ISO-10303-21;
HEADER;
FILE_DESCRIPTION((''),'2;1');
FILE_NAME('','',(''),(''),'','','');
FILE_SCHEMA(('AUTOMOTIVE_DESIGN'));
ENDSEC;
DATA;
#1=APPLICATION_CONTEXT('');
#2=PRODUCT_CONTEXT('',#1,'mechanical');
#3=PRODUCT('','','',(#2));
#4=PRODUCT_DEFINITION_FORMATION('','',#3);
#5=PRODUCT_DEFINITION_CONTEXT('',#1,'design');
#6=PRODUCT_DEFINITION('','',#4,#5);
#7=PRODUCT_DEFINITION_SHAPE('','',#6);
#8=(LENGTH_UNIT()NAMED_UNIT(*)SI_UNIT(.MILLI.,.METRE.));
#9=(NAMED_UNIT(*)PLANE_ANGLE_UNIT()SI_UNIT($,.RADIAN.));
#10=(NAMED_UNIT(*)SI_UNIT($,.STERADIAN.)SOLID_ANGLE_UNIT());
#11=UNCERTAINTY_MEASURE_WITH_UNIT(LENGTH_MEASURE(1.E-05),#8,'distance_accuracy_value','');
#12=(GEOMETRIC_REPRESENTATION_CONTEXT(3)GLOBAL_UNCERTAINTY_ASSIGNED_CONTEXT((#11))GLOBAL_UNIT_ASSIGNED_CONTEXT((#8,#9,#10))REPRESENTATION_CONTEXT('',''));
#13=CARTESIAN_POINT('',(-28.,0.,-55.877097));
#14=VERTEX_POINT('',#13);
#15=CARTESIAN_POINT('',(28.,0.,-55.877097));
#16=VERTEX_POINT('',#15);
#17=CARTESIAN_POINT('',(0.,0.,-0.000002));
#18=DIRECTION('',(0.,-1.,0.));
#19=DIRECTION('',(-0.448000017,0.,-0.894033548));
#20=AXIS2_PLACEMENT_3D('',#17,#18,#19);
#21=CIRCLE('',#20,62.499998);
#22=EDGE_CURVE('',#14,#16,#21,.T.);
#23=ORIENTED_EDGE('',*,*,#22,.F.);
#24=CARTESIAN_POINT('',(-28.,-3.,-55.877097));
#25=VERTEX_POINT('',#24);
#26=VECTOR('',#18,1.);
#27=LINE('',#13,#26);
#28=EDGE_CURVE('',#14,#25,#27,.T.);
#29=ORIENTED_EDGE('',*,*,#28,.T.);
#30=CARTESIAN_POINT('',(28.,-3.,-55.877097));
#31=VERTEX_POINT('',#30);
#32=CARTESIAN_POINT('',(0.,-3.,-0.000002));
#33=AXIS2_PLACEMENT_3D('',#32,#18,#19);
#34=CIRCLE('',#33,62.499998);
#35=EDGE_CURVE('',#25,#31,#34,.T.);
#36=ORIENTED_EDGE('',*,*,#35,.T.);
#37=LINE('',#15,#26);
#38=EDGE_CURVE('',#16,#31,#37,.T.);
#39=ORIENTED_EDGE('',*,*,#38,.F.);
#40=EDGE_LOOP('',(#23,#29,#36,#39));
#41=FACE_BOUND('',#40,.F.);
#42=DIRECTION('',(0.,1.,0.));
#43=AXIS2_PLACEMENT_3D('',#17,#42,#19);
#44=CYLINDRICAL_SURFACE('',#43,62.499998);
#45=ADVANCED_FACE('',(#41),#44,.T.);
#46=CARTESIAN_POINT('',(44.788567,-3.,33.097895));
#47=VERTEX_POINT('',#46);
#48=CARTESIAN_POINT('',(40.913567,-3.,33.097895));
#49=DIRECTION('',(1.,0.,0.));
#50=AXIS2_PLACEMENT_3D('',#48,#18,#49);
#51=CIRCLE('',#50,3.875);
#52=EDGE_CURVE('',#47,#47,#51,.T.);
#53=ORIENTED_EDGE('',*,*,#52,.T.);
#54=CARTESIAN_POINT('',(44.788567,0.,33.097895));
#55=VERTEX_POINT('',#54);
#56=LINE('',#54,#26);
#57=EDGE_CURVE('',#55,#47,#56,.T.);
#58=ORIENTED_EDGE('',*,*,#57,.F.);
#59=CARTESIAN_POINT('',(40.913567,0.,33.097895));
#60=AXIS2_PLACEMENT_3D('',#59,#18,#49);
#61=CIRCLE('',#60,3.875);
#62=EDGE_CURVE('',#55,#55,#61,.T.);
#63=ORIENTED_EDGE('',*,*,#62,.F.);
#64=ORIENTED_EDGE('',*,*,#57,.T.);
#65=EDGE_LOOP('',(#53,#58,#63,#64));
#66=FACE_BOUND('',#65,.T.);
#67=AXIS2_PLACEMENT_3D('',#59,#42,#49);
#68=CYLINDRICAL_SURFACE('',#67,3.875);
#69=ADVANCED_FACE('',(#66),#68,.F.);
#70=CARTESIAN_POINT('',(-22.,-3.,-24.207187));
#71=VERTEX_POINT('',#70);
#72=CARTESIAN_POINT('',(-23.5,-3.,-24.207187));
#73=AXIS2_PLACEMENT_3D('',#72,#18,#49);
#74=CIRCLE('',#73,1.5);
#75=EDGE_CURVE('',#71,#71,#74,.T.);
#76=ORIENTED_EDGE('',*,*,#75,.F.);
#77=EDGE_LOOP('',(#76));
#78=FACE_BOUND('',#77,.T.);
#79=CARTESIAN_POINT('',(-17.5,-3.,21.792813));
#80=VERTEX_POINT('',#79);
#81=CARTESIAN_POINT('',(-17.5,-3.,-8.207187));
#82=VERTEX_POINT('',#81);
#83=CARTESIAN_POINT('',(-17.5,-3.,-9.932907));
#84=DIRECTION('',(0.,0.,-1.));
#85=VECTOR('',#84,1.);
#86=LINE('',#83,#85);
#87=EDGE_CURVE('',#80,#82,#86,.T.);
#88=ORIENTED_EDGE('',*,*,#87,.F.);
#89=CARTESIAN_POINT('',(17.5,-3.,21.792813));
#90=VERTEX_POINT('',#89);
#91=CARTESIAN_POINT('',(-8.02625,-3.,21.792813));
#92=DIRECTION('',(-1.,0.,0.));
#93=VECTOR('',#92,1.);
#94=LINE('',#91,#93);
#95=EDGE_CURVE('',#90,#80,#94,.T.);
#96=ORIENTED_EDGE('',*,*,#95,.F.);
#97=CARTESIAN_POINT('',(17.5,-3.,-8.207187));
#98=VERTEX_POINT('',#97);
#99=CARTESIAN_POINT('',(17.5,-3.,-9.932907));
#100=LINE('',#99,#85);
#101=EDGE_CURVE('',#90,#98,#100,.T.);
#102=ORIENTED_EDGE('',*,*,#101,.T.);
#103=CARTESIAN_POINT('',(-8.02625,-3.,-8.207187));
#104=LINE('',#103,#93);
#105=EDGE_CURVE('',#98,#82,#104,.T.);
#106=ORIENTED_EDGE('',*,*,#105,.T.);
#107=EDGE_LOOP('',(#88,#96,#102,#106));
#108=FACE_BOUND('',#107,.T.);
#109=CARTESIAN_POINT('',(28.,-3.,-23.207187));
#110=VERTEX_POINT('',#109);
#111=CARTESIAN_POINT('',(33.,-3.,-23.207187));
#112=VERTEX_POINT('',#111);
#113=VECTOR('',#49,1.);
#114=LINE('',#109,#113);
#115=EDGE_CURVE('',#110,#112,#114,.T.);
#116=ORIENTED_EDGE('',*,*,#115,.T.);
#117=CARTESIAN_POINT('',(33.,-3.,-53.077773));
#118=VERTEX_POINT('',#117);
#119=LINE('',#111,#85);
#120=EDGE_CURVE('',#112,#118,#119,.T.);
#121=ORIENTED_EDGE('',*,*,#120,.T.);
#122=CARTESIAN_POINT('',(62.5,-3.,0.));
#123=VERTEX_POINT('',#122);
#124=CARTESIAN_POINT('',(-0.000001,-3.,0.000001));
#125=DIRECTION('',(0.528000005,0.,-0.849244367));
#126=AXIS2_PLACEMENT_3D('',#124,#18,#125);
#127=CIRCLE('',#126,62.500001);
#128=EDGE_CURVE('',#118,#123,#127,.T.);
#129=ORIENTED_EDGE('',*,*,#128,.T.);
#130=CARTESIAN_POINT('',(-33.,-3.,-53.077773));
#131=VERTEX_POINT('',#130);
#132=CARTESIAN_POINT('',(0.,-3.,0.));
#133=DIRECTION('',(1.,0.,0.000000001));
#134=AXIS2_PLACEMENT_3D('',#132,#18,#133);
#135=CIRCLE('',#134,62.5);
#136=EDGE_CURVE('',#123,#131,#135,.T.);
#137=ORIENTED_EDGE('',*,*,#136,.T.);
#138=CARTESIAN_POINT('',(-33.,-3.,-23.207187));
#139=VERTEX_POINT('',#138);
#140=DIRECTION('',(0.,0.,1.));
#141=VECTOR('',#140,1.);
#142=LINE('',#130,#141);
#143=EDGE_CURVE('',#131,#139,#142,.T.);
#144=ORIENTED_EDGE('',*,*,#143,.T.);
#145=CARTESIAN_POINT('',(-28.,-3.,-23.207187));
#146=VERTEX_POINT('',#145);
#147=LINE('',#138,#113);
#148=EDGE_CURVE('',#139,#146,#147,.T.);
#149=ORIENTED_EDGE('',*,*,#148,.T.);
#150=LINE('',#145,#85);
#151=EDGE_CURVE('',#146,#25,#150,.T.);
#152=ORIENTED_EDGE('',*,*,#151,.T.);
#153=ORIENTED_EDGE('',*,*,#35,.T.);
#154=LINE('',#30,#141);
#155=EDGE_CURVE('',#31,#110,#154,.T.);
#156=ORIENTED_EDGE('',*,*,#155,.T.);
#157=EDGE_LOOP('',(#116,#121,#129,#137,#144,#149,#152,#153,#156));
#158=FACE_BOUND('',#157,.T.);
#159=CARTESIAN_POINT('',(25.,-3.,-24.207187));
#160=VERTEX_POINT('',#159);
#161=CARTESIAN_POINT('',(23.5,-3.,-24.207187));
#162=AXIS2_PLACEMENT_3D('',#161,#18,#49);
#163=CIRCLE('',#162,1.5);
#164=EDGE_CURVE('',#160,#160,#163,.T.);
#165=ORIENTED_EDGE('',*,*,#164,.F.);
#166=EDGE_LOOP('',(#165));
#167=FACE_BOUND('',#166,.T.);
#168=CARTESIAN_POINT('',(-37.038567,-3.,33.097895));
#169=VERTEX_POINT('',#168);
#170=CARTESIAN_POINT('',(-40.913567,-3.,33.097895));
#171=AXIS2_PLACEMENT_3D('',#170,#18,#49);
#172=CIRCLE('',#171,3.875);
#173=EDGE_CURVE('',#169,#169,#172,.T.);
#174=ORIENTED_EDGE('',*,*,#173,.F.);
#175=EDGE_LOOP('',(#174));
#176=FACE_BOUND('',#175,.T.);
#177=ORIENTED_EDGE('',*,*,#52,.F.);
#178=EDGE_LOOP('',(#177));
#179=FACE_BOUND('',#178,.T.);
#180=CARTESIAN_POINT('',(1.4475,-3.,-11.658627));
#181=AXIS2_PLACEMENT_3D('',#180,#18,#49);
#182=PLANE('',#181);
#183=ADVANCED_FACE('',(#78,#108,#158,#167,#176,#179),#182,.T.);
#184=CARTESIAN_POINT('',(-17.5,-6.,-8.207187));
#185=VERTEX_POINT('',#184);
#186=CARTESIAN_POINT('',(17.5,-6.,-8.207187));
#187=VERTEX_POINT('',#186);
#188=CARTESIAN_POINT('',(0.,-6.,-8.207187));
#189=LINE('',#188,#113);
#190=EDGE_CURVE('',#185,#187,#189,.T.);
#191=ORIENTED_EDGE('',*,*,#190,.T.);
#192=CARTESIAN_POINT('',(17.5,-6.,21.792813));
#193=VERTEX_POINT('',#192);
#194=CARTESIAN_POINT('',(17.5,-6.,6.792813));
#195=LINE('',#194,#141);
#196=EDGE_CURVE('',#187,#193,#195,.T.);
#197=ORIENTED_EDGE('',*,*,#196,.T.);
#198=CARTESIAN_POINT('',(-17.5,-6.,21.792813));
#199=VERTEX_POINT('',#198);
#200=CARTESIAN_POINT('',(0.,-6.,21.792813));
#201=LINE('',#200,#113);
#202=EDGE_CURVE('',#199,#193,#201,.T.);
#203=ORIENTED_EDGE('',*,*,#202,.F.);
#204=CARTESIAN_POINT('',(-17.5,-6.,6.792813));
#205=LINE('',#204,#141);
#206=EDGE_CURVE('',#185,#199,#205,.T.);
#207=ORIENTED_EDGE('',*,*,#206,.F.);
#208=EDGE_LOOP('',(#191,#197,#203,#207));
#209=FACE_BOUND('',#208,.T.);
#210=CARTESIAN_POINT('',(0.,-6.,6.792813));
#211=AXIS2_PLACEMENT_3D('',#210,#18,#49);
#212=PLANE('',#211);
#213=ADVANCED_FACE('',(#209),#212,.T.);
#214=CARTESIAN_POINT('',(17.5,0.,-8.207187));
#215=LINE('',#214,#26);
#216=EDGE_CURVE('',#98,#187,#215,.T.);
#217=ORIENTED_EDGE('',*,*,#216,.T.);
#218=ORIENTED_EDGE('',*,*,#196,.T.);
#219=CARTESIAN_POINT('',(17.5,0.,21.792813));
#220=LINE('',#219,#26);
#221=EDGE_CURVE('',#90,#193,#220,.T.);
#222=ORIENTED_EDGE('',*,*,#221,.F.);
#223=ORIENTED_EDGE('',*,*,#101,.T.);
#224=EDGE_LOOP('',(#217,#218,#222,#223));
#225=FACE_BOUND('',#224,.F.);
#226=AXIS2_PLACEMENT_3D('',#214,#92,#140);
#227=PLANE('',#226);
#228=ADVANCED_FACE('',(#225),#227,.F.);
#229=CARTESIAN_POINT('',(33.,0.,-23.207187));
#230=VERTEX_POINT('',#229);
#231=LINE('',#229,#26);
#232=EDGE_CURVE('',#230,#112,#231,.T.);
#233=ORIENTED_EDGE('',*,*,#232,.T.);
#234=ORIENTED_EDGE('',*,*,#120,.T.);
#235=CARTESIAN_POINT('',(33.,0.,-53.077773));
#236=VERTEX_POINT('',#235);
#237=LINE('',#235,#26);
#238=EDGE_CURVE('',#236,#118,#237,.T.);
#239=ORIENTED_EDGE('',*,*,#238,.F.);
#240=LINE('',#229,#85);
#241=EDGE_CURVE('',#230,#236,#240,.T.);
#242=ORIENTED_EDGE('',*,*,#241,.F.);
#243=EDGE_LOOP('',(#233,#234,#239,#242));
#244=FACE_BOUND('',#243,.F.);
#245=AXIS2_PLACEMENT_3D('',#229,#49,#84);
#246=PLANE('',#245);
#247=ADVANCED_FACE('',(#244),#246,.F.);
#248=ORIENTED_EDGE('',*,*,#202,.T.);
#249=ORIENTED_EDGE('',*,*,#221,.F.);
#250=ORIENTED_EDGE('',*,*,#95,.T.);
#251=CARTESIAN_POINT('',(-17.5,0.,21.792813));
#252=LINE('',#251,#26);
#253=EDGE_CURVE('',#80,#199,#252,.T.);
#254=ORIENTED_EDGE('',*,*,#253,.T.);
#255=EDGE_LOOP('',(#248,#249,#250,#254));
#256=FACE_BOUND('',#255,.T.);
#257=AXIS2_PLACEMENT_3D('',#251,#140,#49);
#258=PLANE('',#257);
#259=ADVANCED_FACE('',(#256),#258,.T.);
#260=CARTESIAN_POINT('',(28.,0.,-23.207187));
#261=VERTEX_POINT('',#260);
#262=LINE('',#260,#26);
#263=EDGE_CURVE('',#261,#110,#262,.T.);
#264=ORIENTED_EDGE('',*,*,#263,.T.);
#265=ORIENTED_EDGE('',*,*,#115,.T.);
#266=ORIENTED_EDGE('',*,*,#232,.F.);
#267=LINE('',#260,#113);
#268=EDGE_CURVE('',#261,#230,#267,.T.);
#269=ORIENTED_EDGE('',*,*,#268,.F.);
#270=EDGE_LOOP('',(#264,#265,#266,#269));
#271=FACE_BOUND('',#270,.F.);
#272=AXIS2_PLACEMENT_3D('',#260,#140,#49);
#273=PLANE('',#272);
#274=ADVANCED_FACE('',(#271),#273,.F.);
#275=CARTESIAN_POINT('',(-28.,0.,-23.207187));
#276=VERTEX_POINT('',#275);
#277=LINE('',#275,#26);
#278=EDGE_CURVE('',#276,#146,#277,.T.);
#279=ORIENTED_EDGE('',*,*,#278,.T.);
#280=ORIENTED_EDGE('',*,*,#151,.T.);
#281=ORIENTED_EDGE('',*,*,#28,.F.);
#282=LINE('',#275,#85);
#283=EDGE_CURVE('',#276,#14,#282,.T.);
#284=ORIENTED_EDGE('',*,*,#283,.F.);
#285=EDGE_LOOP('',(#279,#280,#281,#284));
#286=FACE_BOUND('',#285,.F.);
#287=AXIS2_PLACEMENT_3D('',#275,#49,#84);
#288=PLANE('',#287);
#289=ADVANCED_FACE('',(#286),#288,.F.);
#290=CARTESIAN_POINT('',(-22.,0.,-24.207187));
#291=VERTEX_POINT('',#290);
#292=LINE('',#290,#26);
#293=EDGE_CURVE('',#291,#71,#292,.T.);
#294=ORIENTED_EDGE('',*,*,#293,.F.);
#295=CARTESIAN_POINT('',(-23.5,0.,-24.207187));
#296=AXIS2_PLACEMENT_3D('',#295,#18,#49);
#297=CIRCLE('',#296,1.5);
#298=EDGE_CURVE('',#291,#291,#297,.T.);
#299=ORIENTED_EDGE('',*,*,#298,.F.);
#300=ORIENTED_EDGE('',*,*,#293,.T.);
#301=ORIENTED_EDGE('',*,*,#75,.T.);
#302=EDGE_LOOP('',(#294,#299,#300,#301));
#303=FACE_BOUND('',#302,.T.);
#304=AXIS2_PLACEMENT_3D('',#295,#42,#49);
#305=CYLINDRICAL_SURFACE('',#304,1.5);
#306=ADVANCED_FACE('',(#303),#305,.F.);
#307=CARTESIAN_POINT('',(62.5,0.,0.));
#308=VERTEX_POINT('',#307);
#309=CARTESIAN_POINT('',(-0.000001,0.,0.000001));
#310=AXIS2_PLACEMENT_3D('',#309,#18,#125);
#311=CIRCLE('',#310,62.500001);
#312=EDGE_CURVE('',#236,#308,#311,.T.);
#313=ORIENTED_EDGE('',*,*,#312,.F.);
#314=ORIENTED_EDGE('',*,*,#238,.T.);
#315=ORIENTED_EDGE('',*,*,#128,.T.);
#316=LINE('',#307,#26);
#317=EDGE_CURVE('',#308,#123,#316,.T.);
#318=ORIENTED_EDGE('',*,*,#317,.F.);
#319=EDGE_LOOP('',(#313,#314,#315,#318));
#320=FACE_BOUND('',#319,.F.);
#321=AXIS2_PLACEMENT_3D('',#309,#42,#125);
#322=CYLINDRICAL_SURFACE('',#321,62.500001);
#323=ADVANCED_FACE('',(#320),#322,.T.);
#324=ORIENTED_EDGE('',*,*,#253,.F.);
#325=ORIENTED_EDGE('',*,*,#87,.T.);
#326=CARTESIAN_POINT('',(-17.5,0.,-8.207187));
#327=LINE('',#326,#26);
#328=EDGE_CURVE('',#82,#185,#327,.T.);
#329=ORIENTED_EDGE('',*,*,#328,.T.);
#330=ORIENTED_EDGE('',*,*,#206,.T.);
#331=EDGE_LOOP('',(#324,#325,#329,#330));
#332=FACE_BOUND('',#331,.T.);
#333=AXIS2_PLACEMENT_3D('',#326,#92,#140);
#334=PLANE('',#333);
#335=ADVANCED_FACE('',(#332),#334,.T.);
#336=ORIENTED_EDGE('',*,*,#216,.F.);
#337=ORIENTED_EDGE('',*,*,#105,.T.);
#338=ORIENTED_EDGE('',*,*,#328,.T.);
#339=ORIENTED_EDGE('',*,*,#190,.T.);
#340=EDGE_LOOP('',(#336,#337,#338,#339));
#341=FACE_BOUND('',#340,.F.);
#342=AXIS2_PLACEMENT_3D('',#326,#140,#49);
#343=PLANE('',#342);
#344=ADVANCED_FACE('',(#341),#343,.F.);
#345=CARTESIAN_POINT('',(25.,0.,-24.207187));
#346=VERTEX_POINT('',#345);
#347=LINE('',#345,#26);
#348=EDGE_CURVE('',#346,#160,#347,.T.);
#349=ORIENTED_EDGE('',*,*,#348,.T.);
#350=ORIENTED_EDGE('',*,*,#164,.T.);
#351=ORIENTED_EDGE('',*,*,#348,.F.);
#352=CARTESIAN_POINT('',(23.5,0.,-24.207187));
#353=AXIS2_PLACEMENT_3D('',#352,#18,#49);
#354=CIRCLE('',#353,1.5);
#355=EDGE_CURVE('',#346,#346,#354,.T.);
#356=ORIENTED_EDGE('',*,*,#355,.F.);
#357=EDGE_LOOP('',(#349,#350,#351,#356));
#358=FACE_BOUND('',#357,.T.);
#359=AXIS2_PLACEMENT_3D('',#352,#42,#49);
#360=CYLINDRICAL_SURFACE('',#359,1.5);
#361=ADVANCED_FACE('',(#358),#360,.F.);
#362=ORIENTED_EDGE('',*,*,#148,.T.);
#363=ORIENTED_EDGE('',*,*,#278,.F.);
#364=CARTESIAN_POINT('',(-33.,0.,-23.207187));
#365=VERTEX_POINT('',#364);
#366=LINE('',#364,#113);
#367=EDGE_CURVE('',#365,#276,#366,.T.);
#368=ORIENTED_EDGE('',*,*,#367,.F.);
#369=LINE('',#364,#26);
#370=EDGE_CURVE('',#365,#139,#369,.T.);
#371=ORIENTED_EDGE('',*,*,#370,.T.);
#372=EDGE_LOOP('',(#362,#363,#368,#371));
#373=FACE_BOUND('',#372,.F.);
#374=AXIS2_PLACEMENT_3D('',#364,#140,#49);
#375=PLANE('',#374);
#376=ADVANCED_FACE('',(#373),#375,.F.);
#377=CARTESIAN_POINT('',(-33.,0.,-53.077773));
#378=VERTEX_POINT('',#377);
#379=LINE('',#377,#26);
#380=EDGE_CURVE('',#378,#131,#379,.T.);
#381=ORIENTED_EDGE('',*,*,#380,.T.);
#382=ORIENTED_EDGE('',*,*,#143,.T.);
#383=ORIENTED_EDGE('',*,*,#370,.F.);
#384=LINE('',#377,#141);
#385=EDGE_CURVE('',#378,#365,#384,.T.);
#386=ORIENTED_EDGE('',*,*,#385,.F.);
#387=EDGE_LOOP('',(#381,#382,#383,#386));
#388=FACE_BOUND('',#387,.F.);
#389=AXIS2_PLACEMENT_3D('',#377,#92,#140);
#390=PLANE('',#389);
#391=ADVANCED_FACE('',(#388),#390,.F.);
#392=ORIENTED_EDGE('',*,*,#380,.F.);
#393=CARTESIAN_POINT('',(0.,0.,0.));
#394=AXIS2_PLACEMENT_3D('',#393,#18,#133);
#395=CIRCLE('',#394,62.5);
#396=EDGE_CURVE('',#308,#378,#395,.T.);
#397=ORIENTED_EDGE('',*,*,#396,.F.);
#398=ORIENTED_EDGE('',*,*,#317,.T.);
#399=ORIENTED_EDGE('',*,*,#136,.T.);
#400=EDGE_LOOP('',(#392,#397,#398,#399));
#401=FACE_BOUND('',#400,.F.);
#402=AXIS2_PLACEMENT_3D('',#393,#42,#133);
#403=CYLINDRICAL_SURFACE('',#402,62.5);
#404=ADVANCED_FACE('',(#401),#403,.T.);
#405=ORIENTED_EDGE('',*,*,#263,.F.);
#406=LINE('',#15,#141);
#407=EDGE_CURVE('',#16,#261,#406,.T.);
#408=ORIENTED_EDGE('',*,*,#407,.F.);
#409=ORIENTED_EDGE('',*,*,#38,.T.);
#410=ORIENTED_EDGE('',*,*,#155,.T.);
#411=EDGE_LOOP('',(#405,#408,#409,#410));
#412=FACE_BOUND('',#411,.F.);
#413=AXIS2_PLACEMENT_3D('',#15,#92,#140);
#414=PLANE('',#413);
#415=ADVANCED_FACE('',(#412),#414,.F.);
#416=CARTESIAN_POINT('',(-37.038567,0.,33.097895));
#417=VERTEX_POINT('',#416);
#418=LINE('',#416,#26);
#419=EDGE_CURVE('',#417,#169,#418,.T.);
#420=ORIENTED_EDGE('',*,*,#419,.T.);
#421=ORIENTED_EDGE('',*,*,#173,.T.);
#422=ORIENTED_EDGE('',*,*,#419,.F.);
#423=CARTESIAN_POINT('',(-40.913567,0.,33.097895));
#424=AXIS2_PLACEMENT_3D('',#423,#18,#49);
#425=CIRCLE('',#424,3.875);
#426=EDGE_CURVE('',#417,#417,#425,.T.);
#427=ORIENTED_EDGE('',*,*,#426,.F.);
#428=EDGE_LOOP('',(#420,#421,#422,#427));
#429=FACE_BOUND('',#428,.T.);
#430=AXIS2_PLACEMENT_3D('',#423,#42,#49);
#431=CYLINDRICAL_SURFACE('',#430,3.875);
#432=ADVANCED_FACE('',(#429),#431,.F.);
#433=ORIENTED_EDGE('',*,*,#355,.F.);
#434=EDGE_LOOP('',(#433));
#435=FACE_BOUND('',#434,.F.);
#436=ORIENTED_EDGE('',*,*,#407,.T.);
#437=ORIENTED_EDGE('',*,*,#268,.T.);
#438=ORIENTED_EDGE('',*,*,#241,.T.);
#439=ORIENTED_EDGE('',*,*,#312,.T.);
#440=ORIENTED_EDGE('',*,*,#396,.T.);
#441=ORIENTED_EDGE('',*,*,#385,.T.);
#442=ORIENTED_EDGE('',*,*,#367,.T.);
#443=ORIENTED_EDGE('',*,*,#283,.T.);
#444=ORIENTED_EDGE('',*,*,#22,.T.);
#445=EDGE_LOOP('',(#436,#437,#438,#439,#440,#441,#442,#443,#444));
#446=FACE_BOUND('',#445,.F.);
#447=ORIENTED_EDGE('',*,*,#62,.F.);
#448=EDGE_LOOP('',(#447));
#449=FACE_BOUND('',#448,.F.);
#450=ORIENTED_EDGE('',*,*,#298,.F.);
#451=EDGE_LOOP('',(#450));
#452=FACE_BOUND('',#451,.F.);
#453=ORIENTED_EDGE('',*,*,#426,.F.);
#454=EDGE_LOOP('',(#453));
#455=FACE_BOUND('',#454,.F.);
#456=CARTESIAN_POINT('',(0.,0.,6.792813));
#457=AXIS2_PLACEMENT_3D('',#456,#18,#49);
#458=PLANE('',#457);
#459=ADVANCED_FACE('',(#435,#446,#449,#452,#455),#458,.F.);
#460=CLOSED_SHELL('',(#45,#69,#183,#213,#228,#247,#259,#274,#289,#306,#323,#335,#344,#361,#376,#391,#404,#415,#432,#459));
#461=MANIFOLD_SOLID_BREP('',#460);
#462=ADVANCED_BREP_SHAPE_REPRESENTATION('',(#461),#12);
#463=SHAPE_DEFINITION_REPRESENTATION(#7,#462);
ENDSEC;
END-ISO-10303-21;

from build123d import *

# Parameters (mm, degrees)
F0_R     = 1.5
F0_R_2   = 3.875
F0_W     = 35
F0_H     = 30
F1_DEPTH = 3
F2_DEPTH = 6


with BuildPart() as f1:
    # F0 (on Front) → F1 (new body)
    with BuildSketch(Plane.XZ):
        with BuildLine():
            ThreePointArc((33, -53.077773), (54.629433, -30.362395), (62.5, 0))
            ThreePointArc((62.5, 0), (-30.362395, 54.629433), (-33, -53.077773))
            Line((-33, -53.077773), (-33, -23.207187))
            Line((-33, -23.207187), (-28, -23.207187))
            Line((-28, -23.207187), (-28, -55.877097))
            ThreePointArc((-28, -55.877097), (0, -62.5), (28, -55.877097))
            Line((28, -55.877097), (28, -23.207187))
            Line((28, -23.207187), (33, -23.207187))
            Line((33, -23.207187), (33, -53.077773))
        make_face()
        with Locations((-23.5, -24.207187)):
            Circle(F0_R, mode=Mode.SUBTRACT)
        with Locations((23.5, -24.207187)):
            Circle(F0_R, mode=Mode.SUBTRACT)
        with Locations((-40.913567, 33.097895)):
            Circle(F0_R_2, mode=Mode.SUBTRACT)
        with Locations((0, 6.792813)):
            Rectangle(F0_W, F0_H, mode=Mode.SUBTRACT)
        with Locations((40.913567, 33.097895)):
            Circle(F0_R_2, mode=Mode.SUBTRACT)
        with Locations((0, 6.792813)):
            Rectangle(F0_W, F0_H)
    extrude(amount=F1_DEPTH)

    # F0 (on Front) → F2 (join)
    with BuildSketch(Plane.XZ):
        with Locations((0, 6.792813)):
            Rectangle(F0_W, F0_H)
    extrude(amount=F2_DEPTH)


solid = f1.part
